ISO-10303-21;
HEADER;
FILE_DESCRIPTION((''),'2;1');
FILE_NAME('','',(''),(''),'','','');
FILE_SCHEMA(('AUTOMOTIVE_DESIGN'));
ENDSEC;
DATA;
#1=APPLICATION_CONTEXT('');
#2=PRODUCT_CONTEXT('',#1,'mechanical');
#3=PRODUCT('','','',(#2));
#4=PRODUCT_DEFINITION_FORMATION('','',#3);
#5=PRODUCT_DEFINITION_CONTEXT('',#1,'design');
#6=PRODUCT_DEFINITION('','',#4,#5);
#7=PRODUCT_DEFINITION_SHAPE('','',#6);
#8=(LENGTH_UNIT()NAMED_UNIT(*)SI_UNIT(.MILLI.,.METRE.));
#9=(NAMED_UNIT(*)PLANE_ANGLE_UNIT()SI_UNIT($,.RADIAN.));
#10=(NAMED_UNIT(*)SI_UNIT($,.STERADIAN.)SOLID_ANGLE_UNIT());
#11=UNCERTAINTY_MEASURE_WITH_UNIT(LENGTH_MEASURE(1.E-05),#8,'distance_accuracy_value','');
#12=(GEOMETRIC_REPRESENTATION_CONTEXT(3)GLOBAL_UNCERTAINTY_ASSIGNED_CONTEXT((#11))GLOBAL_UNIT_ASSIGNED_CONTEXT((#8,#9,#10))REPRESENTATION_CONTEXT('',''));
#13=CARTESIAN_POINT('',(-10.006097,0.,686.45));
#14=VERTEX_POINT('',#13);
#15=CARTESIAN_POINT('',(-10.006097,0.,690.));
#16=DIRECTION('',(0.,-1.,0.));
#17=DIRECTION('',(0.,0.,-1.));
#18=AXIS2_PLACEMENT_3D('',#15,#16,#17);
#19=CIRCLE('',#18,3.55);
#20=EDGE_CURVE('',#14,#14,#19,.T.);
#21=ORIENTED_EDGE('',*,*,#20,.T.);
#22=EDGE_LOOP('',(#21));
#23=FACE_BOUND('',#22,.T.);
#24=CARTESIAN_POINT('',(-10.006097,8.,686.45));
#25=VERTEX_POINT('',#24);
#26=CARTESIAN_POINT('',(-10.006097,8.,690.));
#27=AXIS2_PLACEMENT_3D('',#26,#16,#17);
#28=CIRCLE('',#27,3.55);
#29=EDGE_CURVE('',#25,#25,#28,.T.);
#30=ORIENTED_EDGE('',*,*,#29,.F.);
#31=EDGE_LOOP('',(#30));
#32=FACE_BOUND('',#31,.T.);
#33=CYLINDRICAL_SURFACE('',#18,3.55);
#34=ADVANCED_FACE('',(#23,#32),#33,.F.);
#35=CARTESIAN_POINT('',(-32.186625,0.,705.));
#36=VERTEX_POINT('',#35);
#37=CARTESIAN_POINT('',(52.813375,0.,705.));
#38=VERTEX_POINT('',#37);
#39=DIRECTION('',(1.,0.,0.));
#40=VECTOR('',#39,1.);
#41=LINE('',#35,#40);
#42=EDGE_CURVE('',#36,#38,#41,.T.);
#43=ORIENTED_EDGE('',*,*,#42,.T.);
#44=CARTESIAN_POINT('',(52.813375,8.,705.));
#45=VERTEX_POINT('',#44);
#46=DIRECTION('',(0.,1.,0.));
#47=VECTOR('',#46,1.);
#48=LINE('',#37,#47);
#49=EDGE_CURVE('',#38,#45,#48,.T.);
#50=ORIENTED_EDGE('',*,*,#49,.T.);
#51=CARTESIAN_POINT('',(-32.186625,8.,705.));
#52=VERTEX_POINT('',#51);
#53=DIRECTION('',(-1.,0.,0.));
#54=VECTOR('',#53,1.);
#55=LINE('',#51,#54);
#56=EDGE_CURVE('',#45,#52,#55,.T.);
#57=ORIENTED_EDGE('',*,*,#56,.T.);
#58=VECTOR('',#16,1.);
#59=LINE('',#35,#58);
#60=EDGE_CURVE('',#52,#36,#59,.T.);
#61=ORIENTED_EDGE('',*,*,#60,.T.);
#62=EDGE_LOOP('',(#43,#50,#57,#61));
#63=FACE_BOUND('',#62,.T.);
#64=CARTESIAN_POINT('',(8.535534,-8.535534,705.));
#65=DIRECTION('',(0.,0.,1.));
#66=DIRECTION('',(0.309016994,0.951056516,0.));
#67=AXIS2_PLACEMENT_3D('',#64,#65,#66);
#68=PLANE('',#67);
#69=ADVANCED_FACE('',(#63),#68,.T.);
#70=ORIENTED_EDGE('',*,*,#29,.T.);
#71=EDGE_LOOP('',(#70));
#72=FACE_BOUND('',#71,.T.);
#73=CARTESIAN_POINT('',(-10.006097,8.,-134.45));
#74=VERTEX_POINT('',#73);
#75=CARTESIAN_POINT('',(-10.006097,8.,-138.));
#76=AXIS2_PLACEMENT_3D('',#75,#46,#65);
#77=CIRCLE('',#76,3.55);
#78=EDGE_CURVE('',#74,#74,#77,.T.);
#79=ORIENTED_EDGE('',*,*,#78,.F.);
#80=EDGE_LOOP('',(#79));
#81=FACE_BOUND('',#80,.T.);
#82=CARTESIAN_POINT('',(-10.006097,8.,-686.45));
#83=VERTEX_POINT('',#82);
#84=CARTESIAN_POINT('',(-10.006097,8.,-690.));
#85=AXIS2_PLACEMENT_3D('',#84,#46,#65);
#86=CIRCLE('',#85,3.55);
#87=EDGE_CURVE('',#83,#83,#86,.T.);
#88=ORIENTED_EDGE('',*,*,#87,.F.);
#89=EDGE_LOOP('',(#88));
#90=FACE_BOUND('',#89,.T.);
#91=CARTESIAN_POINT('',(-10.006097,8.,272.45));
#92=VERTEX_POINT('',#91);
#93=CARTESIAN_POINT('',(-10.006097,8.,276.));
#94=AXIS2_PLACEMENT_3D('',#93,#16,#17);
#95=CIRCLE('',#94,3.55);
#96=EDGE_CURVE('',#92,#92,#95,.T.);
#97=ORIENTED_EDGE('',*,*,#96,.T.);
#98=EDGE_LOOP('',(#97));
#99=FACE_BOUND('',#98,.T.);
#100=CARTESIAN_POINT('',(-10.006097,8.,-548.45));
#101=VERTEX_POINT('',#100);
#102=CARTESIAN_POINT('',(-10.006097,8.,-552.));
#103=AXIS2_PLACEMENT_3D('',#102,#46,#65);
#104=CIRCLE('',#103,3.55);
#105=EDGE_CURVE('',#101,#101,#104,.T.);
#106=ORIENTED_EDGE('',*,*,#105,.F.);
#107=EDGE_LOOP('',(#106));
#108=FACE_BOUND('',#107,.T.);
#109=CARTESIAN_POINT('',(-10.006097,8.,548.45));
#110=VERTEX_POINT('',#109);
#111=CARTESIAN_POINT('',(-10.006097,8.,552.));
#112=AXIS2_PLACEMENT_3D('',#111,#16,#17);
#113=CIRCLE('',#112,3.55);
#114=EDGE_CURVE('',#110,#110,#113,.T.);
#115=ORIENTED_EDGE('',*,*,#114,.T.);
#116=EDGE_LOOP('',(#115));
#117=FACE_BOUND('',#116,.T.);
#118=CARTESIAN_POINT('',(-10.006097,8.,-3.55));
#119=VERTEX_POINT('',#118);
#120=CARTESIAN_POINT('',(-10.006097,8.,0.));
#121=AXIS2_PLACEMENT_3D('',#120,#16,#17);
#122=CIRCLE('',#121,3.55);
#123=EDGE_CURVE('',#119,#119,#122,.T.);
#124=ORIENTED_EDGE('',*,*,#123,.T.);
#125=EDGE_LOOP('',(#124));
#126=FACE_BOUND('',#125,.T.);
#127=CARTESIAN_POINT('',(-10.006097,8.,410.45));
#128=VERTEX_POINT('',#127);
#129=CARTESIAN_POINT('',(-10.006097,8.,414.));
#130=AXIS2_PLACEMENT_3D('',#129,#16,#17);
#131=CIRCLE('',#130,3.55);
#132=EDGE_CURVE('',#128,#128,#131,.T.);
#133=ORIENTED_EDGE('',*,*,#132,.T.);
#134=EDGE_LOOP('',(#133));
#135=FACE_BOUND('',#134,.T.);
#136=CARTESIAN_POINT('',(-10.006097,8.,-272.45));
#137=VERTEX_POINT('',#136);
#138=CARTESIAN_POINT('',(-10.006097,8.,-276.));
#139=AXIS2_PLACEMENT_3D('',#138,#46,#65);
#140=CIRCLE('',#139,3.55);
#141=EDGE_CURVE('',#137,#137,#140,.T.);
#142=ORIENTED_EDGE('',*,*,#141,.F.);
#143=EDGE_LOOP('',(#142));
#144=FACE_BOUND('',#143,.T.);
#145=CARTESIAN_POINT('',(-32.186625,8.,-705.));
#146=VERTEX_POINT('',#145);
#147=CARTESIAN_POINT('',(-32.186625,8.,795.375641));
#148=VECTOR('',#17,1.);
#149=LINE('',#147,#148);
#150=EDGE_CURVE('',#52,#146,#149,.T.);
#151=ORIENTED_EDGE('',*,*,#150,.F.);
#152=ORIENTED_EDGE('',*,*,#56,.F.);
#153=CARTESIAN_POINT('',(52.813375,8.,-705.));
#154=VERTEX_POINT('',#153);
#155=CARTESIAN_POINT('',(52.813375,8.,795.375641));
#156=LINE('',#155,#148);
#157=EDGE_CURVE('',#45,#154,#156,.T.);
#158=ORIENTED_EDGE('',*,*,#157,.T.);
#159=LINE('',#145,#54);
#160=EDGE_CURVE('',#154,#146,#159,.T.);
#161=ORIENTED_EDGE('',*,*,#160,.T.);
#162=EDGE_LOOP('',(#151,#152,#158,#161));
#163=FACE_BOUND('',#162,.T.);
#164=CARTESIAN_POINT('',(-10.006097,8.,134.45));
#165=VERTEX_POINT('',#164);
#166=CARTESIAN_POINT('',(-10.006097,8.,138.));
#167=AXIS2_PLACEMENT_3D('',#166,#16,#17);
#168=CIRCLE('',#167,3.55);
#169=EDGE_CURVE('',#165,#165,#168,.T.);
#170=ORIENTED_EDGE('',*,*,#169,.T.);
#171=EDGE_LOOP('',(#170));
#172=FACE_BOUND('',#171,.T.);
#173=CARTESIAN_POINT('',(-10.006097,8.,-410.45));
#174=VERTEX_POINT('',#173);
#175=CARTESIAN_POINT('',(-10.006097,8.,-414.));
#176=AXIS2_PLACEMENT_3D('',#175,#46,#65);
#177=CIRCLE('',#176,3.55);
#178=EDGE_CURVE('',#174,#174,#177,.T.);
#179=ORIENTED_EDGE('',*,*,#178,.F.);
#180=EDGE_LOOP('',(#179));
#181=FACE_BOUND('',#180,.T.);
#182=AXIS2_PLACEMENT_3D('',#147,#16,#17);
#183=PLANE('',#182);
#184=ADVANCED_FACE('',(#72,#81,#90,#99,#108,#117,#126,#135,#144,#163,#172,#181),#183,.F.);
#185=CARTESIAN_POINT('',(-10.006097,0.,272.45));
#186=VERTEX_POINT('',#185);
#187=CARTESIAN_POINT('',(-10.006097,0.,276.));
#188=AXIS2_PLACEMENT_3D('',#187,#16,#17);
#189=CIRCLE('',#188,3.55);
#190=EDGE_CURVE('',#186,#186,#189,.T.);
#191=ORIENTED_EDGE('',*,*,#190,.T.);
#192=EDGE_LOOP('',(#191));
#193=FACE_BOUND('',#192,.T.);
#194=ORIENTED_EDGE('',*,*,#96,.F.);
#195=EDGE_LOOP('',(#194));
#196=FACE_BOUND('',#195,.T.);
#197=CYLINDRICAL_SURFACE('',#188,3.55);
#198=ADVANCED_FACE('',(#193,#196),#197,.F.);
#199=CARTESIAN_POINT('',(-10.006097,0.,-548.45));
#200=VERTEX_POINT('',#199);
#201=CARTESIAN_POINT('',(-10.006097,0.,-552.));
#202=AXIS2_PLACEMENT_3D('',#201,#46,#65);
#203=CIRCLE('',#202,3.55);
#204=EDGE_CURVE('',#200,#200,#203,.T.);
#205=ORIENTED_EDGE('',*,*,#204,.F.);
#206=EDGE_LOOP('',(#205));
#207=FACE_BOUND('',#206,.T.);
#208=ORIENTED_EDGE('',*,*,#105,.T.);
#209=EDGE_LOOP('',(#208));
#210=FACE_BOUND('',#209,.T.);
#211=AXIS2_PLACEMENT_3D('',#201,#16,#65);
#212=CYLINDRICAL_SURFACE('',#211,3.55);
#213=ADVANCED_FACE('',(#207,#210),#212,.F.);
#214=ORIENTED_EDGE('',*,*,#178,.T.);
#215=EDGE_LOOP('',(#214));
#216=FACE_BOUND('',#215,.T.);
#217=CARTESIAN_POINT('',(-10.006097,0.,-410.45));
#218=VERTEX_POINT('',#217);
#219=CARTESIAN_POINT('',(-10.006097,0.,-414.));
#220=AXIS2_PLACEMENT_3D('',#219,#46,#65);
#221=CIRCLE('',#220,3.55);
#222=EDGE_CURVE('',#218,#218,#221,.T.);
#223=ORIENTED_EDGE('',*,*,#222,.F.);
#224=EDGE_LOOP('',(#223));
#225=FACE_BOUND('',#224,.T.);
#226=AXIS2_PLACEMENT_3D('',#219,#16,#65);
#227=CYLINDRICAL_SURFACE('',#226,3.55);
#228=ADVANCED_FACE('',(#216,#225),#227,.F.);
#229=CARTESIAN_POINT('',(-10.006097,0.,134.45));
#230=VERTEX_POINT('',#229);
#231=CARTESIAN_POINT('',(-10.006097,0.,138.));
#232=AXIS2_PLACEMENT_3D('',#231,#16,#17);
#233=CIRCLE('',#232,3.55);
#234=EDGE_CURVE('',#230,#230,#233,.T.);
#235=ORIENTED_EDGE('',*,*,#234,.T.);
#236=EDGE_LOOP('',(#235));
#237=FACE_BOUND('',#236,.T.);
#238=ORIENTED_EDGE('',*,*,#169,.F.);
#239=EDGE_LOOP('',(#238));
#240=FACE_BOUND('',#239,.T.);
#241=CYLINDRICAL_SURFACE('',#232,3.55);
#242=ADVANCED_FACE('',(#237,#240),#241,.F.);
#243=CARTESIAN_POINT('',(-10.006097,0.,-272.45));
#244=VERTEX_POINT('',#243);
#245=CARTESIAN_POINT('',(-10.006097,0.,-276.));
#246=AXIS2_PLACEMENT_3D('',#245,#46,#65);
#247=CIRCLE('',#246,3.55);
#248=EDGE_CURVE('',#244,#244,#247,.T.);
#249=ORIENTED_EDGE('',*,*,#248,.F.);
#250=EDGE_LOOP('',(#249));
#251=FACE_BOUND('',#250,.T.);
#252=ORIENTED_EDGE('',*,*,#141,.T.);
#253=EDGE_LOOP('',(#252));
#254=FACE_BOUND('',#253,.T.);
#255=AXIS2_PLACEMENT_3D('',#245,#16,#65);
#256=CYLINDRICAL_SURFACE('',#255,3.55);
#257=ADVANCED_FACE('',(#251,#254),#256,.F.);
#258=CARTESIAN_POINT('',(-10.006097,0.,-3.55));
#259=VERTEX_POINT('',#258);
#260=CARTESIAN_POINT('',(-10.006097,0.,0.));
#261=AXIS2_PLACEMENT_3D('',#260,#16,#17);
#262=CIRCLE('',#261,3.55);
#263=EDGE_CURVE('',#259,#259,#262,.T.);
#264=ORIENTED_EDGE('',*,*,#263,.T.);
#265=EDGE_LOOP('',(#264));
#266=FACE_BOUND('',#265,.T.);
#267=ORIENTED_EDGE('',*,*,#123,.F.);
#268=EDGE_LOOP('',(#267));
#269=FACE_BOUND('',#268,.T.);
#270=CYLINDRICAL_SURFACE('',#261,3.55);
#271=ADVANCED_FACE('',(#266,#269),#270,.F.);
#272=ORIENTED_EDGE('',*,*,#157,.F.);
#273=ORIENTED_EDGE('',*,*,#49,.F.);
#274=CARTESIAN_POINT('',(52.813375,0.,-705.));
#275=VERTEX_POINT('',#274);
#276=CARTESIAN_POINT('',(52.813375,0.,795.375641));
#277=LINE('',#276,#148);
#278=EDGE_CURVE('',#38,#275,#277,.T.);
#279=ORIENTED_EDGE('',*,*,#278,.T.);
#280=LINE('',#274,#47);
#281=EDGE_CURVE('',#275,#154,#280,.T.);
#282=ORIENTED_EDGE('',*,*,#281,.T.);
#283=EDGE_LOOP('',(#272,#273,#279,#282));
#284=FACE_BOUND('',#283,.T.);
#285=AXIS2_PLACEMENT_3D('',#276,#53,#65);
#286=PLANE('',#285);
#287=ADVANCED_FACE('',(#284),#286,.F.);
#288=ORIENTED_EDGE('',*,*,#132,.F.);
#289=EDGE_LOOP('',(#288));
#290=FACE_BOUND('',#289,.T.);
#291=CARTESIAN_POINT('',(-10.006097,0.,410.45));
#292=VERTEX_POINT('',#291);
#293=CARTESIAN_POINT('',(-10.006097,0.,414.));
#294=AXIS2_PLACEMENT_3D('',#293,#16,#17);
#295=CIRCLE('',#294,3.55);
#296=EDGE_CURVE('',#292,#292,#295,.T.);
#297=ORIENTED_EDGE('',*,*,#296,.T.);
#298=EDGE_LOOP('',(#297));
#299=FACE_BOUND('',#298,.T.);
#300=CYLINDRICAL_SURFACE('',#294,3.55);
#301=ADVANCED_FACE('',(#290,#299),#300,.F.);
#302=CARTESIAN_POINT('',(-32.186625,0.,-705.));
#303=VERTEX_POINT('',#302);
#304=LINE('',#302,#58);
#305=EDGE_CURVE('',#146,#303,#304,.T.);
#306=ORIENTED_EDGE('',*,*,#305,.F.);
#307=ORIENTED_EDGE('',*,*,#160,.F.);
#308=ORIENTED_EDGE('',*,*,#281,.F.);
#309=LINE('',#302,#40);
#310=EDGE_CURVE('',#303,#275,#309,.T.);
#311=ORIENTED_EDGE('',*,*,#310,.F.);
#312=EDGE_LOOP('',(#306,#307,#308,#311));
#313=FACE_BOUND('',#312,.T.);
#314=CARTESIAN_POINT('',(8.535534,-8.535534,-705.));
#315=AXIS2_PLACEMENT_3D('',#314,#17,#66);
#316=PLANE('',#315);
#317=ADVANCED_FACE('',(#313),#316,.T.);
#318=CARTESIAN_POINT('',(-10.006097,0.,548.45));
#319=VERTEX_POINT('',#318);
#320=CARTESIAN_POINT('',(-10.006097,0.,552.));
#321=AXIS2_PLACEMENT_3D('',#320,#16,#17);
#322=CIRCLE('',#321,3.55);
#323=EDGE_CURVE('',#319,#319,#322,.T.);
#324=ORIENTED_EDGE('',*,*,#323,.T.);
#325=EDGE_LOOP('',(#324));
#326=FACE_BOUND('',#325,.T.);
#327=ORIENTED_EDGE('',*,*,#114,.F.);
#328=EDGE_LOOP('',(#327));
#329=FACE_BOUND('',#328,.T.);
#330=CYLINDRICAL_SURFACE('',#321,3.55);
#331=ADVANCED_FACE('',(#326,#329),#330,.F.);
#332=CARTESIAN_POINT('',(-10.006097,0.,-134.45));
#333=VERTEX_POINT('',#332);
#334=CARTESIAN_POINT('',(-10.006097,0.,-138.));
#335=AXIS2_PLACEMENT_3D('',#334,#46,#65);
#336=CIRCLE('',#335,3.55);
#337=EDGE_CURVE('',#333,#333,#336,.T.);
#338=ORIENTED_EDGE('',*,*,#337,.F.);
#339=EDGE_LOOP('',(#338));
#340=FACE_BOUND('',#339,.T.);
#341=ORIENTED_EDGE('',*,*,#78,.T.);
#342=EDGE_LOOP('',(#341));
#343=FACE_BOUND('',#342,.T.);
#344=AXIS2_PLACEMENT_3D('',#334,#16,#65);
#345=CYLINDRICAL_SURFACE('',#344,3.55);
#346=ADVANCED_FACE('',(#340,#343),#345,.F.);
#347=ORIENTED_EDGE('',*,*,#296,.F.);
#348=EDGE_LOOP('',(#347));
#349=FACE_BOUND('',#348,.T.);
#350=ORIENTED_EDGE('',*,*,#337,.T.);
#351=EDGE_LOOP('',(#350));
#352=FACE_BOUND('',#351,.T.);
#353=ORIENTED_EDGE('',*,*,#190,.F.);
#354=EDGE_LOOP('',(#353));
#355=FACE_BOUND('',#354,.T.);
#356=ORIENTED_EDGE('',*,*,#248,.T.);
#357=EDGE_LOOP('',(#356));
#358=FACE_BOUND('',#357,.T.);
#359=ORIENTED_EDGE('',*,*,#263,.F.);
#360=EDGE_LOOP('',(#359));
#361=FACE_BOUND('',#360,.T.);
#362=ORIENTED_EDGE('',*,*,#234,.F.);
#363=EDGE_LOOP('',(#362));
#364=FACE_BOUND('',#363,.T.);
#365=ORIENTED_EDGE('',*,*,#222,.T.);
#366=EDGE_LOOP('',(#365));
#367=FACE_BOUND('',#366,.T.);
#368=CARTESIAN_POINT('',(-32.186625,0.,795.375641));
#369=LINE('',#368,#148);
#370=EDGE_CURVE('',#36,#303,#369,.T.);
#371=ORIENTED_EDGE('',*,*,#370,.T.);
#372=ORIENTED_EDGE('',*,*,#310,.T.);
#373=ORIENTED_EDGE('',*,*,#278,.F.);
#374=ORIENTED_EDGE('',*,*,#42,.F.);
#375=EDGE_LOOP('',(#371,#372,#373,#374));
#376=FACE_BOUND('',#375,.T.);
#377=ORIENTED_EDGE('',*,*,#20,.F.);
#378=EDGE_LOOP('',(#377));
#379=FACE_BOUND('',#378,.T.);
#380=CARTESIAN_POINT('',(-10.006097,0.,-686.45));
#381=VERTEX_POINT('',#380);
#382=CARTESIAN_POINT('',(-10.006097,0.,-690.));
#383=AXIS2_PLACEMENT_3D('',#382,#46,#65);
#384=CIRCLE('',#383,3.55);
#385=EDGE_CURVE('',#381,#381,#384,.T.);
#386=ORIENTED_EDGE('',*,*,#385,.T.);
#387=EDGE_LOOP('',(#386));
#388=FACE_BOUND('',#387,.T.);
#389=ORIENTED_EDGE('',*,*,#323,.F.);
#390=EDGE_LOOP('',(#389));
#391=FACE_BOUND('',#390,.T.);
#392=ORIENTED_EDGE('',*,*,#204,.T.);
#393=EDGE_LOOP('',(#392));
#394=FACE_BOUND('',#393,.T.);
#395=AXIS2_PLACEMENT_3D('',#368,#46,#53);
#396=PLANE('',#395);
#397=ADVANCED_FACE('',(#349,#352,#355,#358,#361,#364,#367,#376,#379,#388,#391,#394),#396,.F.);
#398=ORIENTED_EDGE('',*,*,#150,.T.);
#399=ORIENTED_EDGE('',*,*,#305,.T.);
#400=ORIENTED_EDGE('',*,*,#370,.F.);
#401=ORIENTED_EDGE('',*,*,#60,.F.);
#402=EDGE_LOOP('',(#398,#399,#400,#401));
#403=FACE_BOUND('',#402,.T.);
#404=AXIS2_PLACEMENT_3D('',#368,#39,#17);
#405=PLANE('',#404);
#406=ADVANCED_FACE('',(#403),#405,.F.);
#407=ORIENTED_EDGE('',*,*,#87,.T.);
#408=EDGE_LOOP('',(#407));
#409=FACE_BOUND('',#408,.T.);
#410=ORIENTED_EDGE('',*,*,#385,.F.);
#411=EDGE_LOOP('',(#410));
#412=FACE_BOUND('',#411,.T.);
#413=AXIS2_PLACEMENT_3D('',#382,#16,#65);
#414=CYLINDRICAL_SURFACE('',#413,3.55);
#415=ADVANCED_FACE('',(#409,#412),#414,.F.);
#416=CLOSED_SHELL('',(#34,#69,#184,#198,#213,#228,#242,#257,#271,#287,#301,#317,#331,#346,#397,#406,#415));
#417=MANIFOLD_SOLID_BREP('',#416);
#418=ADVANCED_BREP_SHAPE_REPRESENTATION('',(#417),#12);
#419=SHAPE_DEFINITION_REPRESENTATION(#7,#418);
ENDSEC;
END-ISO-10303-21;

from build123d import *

# Parameters (mm, degrees)
SKETCH_1_W          = 85
SKETCH_1_H          = 8
EXTRUDE_1_DEPTH     = 705
HOLE_WIZARD_M6_51_D = 7.1


with BuildPart() as part:
    # Эскиз1 → Бобышка-Вытянуть1 (new body)
    with BuildSketch(Plane.XY):
        with Locations((10.313375116, 4)):
            Rectangle(SKETCH_1_W, SKETCH_1_H)
    extrude(amount=EXTRUDE_1_DEPTH)

    # Отверстие с зазором M6.51 (through all)
    with Locations(Plane(origin=(0, 0, 0), x_dir=(-1, 0, 0), z_dir=(0, -1, 0))):
        with Locations((10.006096654, -690), (10.006096654, -552), (10.006096654, -414), (10.006096654, -138), (10.006096654, 0), (10.006096654, -276)):
            Hole(HOLE_WIZARD_M6_51_D / 2)

    # Зеркальное отражение1: part across plane


with BuildPart() as part_1:
    add(part.part)
    add(part.part.mirror(Plane(origin=(0, 0, 0), x_dir=(1, 0, 0), z_dir=(0, 0, -1))))


solid = part_1.part
